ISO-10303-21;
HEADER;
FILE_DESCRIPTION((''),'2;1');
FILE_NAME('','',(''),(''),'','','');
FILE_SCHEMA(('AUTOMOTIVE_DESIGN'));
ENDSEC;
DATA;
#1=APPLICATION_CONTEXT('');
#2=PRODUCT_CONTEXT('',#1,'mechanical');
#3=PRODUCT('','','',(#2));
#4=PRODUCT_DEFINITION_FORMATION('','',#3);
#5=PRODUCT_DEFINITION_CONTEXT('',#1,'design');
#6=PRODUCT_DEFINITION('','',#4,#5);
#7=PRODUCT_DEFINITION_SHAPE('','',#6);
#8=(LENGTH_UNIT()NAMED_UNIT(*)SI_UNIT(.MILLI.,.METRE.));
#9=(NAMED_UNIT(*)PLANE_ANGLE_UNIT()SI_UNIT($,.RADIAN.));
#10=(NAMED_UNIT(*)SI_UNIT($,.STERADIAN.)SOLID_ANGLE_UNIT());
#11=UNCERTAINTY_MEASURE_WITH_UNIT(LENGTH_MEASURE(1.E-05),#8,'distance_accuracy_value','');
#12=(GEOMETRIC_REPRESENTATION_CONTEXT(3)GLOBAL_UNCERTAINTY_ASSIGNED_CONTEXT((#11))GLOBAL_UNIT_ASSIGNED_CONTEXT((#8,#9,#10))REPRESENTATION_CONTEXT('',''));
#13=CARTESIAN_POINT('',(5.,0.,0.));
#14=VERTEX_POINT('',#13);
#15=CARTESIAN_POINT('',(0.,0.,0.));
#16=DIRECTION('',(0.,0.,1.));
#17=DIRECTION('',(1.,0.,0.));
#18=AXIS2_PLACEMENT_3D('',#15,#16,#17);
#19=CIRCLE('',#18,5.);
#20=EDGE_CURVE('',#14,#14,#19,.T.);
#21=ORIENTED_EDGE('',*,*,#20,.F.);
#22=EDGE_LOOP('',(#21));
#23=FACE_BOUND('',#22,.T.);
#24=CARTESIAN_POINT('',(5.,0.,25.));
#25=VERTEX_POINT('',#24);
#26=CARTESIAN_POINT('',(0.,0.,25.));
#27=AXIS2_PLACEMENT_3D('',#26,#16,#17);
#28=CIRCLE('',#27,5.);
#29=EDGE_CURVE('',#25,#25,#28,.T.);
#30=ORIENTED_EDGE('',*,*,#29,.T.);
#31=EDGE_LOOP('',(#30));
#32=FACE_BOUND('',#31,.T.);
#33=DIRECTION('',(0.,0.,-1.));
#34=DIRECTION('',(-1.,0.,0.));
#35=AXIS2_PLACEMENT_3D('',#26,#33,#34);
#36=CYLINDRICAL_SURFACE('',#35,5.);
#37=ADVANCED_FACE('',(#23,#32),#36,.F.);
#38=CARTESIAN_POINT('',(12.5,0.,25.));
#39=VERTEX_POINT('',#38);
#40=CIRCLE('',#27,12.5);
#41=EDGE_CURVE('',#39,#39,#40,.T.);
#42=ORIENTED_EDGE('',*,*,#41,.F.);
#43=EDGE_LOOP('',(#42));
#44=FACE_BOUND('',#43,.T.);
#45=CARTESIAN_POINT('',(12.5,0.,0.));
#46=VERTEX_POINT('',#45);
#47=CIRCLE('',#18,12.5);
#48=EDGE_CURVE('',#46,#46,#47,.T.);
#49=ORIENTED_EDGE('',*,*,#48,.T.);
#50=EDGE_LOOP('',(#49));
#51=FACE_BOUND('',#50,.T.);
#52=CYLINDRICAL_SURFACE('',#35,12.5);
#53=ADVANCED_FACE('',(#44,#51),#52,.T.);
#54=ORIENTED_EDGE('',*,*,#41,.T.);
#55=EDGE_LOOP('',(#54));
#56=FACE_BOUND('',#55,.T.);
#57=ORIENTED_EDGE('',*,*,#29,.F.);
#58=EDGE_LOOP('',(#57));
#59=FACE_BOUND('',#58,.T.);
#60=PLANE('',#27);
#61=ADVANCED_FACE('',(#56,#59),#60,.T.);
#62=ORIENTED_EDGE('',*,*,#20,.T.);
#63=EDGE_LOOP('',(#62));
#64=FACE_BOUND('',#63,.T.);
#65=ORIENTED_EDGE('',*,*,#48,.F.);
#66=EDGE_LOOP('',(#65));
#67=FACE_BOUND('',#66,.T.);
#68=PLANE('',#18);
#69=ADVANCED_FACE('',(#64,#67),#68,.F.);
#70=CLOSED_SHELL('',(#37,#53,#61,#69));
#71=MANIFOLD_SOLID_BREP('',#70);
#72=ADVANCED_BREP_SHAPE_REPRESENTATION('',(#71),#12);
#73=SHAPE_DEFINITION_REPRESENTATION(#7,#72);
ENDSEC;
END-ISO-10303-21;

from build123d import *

# Parameters (mm, degrees)
ESBO_O1_R                = 12.5
ESBO_O1_R_2              = 5
RESSALTO_EXTRUS_O1_DEPTH = 25


with BuildPart() as part:
    # Esboço1 → Ressalto-extrusão1 (new body)
    with BuildSketch(Plane.XY):
        Circle(ESBO_O1_R)
        Circle(ESBO_O1_R_2, mode=Mode.SUBTRACT)
    extrude(amount=RESSALTO_EXTRUS_O1_DEPTH)


solid = part.part
